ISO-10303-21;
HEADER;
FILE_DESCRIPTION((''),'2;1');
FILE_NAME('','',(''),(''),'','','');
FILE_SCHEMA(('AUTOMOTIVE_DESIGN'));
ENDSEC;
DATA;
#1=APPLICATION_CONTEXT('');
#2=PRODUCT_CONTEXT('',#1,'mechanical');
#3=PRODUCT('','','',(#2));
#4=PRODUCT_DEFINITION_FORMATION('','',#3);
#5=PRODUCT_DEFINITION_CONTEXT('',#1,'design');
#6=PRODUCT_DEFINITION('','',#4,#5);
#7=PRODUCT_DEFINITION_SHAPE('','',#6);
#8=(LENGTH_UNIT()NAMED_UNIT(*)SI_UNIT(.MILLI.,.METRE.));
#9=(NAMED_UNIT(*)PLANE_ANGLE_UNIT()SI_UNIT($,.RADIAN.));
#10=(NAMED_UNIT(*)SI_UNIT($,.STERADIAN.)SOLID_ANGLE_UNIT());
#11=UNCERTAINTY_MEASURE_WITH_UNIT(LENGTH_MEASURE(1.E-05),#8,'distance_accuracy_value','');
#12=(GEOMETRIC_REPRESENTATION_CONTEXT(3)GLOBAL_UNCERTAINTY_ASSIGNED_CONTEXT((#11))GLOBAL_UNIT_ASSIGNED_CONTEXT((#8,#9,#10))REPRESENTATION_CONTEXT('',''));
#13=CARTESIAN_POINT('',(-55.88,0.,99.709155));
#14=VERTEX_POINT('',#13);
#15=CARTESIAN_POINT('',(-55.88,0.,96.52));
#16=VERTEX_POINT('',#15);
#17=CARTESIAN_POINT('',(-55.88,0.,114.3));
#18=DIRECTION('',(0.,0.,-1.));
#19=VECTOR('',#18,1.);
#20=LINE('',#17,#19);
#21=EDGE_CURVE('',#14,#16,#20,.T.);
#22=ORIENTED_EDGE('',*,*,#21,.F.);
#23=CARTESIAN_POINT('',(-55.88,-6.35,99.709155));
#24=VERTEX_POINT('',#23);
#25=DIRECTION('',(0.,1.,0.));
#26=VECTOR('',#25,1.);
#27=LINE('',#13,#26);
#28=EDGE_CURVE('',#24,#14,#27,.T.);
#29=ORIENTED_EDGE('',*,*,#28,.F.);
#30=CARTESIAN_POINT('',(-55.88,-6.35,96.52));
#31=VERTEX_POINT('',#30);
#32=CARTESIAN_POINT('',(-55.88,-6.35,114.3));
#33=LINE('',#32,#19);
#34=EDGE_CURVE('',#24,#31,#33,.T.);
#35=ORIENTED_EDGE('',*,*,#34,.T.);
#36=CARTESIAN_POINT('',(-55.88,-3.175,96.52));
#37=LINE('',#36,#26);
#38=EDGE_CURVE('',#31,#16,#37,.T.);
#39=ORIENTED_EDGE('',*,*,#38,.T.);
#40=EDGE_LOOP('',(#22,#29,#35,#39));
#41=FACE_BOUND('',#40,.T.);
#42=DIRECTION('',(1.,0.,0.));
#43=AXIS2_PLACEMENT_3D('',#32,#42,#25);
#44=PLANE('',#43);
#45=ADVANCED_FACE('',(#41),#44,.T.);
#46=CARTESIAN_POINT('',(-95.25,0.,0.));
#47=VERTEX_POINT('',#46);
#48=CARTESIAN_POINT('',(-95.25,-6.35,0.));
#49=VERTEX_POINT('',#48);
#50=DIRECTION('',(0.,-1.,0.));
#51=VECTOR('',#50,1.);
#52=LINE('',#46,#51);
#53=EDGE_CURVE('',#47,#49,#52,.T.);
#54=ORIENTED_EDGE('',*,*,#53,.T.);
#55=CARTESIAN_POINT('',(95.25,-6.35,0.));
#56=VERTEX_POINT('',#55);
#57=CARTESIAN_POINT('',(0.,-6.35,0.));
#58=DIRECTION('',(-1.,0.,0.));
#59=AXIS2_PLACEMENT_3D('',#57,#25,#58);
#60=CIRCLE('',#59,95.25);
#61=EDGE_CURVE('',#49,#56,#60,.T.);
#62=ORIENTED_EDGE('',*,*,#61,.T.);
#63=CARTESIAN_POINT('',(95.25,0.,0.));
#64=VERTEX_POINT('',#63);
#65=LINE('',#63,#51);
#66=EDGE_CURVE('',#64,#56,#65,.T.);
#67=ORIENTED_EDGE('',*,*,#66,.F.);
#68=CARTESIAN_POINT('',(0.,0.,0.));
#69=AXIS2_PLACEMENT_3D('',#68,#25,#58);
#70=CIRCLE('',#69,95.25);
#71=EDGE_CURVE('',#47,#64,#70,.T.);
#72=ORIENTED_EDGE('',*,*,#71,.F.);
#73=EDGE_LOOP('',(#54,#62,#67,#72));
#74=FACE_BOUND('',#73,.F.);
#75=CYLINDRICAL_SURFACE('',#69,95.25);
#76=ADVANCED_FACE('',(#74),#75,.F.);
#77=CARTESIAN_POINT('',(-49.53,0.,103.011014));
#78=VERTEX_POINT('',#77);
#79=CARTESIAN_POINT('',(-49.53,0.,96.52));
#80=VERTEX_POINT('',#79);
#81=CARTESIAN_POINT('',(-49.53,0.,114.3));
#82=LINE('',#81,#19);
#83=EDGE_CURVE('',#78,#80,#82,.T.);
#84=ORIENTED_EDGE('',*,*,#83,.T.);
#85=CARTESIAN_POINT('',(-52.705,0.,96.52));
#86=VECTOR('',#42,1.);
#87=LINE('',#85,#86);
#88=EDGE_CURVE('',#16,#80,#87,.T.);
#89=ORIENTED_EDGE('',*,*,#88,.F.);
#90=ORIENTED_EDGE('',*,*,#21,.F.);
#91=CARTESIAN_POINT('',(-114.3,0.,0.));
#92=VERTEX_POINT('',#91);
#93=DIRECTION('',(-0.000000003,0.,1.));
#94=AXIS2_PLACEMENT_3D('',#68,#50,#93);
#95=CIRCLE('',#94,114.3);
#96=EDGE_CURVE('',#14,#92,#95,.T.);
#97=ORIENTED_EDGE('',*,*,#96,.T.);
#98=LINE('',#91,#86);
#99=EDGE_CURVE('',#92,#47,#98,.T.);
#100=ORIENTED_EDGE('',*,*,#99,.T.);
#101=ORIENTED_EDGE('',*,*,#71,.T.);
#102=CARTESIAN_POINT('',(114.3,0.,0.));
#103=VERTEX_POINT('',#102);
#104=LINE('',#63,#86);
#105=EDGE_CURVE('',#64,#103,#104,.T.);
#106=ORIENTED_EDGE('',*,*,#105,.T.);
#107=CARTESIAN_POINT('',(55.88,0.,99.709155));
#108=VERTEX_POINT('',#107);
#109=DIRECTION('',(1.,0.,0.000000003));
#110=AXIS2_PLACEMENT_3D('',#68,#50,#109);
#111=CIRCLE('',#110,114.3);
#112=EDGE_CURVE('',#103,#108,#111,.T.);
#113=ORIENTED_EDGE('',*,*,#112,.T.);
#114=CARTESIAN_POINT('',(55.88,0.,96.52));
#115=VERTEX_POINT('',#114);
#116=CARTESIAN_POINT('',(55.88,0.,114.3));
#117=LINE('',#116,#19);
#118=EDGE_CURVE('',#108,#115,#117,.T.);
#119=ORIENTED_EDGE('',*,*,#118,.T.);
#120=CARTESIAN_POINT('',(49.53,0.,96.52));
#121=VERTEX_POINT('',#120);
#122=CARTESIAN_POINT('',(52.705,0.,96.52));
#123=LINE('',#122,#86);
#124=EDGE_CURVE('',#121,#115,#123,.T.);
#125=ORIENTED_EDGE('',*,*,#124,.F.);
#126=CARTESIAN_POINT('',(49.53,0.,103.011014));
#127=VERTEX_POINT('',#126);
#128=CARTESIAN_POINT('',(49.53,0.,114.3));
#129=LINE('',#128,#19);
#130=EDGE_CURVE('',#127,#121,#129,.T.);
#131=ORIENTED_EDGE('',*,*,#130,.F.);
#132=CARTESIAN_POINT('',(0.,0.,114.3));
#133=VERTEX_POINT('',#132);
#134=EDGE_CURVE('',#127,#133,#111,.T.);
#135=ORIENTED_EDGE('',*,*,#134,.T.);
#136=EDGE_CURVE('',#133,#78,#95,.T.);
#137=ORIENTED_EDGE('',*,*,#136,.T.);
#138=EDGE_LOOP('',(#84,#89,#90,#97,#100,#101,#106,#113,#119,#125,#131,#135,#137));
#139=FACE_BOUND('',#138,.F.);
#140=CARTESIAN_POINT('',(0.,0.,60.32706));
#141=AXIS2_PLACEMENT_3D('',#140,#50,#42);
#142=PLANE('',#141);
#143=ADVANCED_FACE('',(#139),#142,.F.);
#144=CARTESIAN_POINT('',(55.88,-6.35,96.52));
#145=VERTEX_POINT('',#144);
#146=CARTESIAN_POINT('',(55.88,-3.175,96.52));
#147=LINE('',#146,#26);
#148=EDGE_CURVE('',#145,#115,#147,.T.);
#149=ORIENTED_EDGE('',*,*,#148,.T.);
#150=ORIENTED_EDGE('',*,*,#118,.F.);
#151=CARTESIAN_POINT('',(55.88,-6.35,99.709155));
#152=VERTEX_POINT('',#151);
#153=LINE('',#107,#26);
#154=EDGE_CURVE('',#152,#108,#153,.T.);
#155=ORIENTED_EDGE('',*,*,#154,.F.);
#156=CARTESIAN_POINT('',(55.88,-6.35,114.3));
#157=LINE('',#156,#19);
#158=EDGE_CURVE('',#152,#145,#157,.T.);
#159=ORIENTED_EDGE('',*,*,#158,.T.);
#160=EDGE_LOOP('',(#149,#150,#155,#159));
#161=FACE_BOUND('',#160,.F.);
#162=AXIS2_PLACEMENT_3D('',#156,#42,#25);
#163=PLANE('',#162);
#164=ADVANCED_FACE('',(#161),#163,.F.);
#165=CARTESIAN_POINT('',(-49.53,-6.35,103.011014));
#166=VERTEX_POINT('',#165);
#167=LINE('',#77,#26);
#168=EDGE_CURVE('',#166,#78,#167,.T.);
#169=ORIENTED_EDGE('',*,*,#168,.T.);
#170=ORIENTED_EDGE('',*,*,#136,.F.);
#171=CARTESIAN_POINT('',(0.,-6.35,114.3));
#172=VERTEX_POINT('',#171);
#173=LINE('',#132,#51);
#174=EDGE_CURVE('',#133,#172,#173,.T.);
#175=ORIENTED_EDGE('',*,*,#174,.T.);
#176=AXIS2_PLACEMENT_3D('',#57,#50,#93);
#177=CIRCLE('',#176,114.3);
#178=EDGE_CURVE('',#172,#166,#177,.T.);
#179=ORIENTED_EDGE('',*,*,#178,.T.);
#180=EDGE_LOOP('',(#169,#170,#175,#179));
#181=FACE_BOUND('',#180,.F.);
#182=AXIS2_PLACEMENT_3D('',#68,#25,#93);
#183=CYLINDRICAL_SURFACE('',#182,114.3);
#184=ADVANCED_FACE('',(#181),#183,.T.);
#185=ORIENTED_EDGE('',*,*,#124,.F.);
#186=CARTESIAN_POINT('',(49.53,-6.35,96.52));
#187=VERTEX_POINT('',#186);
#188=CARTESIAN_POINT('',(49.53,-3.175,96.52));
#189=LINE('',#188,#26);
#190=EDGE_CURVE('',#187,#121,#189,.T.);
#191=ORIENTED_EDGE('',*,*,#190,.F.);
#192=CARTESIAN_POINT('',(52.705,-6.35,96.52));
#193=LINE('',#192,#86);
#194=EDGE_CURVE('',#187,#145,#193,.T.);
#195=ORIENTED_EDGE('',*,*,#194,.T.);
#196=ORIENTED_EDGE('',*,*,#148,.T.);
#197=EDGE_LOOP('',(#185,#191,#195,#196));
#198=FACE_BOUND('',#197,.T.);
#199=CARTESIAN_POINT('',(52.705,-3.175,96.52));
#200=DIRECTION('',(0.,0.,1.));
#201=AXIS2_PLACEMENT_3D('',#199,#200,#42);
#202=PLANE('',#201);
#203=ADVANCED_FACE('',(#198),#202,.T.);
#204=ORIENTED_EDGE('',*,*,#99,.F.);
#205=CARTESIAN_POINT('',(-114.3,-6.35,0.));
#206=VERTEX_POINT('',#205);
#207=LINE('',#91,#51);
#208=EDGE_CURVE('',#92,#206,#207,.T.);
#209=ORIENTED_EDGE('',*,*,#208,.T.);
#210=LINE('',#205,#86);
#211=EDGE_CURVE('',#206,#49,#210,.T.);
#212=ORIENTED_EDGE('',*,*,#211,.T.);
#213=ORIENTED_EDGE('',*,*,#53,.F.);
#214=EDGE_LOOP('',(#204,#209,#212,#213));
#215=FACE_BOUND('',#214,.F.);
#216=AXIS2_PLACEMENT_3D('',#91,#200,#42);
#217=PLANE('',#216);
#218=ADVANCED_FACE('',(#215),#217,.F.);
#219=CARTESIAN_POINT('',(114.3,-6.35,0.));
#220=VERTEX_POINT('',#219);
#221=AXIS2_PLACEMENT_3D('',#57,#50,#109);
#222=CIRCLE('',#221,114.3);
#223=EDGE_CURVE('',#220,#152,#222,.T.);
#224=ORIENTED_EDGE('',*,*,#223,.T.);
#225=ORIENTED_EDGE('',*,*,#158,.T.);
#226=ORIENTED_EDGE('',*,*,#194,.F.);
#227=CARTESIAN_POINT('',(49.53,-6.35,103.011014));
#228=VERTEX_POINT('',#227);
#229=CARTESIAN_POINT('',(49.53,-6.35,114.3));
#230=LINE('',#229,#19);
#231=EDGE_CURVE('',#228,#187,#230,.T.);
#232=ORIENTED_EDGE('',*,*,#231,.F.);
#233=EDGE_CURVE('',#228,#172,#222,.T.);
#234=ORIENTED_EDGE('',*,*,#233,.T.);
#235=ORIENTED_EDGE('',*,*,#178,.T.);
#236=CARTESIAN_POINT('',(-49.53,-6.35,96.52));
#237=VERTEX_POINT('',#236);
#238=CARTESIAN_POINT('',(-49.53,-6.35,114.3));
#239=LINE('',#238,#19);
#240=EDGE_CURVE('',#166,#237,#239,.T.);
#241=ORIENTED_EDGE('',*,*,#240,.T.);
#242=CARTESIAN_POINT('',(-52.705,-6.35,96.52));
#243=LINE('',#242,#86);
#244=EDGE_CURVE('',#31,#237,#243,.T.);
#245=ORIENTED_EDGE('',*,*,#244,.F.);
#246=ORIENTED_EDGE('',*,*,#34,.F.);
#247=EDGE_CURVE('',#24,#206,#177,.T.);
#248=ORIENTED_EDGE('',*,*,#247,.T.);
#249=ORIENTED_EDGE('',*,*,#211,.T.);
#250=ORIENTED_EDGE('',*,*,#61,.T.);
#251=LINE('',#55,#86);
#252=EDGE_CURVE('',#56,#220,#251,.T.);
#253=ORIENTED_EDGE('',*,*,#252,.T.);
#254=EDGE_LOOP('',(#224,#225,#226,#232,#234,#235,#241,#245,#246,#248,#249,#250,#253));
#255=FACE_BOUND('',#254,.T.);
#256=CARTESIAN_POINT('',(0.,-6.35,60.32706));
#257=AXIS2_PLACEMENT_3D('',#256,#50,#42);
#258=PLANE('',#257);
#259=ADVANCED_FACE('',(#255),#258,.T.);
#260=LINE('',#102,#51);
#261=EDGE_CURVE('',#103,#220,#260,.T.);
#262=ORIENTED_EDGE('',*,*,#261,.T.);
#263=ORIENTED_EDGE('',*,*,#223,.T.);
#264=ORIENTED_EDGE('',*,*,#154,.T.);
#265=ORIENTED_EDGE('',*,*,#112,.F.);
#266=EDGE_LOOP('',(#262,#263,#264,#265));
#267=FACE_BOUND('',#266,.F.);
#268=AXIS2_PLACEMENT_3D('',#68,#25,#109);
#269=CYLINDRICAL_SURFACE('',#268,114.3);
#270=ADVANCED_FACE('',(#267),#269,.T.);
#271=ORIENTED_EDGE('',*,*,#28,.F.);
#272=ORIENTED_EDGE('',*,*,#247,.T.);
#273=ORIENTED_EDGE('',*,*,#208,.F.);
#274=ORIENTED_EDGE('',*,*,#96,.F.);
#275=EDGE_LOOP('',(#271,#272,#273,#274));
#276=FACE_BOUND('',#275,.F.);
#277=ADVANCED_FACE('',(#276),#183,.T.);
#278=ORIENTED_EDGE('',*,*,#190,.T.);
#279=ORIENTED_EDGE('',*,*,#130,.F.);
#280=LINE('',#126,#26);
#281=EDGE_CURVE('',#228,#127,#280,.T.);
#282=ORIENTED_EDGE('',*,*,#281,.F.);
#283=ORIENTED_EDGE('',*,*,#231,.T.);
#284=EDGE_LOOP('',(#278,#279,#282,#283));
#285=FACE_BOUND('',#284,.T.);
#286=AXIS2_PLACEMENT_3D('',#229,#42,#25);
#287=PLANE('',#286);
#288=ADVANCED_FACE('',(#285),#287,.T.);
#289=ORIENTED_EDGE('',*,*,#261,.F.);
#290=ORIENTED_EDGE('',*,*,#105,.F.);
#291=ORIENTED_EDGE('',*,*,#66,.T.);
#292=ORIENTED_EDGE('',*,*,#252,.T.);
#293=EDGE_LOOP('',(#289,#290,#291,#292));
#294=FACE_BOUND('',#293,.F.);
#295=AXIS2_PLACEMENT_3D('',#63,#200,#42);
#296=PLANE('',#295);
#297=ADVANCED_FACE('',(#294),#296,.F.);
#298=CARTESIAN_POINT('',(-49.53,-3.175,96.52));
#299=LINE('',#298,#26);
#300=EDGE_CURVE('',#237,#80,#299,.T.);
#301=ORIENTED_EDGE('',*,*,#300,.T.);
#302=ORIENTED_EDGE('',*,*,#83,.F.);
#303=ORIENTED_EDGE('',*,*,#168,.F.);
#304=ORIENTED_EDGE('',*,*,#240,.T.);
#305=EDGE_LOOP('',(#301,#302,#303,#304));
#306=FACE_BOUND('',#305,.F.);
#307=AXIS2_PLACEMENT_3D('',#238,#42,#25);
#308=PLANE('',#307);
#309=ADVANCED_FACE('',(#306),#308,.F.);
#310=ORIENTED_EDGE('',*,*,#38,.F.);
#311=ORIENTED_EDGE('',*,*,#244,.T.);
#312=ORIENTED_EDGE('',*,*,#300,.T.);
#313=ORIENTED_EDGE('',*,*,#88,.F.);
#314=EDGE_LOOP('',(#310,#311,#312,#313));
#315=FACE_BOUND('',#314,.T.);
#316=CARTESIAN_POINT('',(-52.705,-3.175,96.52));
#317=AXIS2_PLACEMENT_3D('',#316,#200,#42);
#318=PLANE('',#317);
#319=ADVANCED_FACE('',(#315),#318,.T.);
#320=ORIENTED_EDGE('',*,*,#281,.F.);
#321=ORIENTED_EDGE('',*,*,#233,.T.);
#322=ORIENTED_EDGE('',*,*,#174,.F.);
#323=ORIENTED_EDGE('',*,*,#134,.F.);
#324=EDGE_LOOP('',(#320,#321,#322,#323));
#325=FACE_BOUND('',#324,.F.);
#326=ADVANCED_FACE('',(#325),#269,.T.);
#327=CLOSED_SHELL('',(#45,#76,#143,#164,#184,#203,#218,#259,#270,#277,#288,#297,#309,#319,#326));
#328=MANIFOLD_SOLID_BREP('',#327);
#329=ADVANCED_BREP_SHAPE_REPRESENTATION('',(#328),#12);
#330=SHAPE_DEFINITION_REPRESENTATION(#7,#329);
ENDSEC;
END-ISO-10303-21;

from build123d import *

# Parameters (mm, degrees)
F1_DEPTH = 6.35
F3_W     = 6.35
F3_H     = 6.35
F4_DEPTH = 17.78


with BuildPart() as f1:
    # F0 (on Front) → F1 (new body)
    with BuildSketch(Plane.XZ):
        with BuildLine():
            Line((95.25, 0), (114.3, 0))
            ThreePointArc((114.3, 0), (80.822305, 80.822305), (0, 114.3))
            ThreePointArc((0, 114.3), (-80.822305, 80.822305), (-114.3, 0))
            Line((-114.3, 0), (-95.25, 0))
            ThreePointArc((-95.25, 0), (0, 95.25), (95.25, 0))
        make_face()
    extrude(amount=F1_DEPTH)

    # F3 (on offset) → F4 (cut)
    with BuildSketch(Plane.XY.offset(114.3)):
        with Locations((-52.705, -3.175)):
            Rectangle(F3_W, F3_H)
        with Locations((52.705, -3.175)):
            Rectangle(F3_W, F3_H)
    extrude(amount=-F4_DEPTH, mode=Mode.SUBTRACT)


solid = f1.part
